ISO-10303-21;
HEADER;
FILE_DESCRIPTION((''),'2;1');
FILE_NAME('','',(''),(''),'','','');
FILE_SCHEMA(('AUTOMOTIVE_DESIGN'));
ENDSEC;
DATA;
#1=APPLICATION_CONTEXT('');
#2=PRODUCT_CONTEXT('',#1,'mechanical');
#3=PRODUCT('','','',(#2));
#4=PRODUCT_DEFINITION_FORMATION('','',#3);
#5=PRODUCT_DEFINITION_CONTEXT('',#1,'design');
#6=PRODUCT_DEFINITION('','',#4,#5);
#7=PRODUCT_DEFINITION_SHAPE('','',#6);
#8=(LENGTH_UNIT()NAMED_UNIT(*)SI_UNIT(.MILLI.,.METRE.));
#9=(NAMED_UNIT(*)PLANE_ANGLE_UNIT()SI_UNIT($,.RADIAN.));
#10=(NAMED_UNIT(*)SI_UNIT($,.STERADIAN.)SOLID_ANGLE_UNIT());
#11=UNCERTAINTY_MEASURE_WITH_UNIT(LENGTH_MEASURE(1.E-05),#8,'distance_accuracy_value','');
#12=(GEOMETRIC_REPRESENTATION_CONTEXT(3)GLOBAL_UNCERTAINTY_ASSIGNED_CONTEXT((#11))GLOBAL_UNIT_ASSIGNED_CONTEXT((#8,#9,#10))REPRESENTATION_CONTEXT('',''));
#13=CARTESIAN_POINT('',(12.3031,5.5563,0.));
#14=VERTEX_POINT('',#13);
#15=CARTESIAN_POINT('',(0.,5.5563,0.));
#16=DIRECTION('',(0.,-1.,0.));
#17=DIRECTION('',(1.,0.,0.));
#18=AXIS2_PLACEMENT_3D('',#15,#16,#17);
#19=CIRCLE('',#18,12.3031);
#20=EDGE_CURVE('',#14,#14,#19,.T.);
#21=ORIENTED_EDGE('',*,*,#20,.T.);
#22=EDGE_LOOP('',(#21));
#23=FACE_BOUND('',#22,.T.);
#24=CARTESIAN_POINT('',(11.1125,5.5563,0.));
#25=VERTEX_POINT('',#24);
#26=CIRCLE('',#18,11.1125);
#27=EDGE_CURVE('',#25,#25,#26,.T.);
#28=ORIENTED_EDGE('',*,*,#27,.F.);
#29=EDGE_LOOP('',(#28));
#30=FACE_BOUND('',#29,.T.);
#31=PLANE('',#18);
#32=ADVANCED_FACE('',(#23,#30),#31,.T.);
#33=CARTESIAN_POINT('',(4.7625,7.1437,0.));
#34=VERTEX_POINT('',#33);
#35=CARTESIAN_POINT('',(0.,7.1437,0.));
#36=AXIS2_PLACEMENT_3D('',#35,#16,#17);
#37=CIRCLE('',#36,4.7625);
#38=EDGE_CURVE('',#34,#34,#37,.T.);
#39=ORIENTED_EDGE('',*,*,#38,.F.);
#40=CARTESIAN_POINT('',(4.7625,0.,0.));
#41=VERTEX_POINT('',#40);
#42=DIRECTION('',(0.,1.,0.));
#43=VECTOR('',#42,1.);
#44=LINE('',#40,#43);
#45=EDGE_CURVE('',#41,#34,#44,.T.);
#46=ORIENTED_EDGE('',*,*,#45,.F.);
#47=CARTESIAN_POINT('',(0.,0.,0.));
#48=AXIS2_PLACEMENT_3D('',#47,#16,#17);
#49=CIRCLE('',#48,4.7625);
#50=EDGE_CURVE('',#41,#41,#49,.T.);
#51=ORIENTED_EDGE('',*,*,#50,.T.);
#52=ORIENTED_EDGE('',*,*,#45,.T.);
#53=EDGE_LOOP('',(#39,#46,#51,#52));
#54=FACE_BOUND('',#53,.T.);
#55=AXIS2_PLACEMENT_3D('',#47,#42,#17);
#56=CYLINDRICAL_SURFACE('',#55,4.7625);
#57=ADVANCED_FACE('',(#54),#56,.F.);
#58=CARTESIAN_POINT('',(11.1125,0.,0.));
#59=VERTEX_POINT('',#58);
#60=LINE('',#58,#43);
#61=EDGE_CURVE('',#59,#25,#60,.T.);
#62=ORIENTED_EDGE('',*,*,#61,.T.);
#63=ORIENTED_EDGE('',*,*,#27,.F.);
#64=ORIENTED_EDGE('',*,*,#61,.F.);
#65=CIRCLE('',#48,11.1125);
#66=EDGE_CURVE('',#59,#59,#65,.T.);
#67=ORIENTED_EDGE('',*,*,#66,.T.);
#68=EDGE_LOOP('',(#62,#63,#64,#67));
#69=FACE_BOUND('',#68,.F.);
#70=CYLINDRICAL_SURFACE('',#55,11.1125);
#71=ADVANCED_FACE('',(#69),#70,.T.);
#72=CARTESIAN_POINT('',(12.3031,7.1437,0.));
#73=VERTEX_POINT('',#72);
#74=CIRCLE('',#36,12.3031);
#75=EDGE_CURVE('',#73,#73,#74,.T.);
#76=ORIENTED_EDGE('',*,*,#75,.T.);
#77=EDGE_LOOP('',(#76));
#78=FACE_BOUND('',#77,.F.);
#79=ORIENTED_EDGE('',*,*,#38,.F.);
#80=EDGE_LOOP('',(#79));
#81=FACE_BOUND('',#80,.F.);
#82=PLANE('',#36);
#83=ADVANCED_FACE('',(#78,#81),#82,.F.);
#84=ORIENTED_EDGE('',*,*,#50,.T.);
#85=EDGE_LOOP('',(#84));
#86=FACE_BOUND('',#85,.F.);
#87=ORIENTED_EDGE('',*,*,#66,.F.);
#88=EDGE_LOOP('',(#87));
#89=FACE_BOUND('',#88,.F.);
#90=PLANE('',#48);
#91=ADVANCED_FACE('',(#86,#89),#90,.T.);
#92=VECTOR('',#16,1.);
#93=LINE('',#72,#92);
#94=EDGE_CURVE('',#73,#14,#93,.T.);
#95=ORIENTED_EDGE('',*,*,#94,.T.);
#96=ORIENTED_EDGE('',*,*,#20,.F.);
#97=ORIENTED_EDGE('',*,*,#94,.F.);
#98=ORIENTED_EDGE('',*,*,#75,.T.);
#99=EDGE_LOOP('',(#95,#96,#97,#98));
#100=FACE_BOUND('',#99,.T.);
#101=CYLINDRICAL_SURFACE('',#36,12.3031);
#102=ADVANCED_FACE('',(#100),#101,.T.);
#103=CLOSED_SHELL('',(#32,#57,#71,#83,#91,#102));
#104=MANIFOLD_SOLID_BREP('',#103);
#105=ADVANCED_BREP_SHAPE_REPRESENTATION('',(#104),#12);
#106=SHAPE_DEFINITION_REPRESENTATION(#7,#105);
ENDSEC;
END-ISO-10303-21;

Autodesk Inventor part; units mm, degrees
ref_plane "YZ Plane" through (0, 0, 0) normal (1, 0, 0) x (0, 1, 0)
ref_plane "XZ Plane" through (0, 0, 0) normal (0, 1, 0) x (-1, 0, 0)
ref_plane "XY Plane" through (0, 0, 0) normal (0, 0, 1) x (1, 0, 0)
sketch "Sketch1" plane through (0, 0, 0) normal (0, 0, 1) x (1, 0, 0)
  line L0 (0, 0) -> (4.7625, 0)
  line L1 (4.7625, 0) -> (4.7625, 7.1437)
  line L2 (4.7625, 7.1437) -> (0, 7.1437)
  line L3 (0, 7.1437) -> (0, 0)
  line L4 (0, 0) -> (11.1125, 0)
  line L5 (11.1125, 0) -> (11.1125, 7.1437)
  line L6 (11.1125, 7.1437) -> (0, 7.1437)
  line L7 (0, 7.1437) -> (0, 0)
  line L8 (11.1125, 7.1437) -> (12.3031, 7.1437)
  line L9 (12.3031, 7.1437) -> (12.3031, 5.5563)
  line L10 (12.3031, 5.5563) -> (11.1125, 5.5563)
  line L11 (11.1125, 5.5563) -> (11.1125, 7.1437)
  dimension "d0" = 4.7625
  dimension "d1" = 7.1437
  dimension "d2" = 11.1125
  dimension "d3" = 7.1437
  dimension "d4" = 12.3031
  dimension "d5" = 1.5875
revolve "Revolution1" add sketch "Sketch1" angle 360 about axis through (0, 7.1437, 0) along (0, -1, 0) contours L1 L6 L5 L4 | L8 L9 L10 L5
properties part number "Flange Bearing - 3-8x 7-8x 9-32" material "Steel, Alloy"
